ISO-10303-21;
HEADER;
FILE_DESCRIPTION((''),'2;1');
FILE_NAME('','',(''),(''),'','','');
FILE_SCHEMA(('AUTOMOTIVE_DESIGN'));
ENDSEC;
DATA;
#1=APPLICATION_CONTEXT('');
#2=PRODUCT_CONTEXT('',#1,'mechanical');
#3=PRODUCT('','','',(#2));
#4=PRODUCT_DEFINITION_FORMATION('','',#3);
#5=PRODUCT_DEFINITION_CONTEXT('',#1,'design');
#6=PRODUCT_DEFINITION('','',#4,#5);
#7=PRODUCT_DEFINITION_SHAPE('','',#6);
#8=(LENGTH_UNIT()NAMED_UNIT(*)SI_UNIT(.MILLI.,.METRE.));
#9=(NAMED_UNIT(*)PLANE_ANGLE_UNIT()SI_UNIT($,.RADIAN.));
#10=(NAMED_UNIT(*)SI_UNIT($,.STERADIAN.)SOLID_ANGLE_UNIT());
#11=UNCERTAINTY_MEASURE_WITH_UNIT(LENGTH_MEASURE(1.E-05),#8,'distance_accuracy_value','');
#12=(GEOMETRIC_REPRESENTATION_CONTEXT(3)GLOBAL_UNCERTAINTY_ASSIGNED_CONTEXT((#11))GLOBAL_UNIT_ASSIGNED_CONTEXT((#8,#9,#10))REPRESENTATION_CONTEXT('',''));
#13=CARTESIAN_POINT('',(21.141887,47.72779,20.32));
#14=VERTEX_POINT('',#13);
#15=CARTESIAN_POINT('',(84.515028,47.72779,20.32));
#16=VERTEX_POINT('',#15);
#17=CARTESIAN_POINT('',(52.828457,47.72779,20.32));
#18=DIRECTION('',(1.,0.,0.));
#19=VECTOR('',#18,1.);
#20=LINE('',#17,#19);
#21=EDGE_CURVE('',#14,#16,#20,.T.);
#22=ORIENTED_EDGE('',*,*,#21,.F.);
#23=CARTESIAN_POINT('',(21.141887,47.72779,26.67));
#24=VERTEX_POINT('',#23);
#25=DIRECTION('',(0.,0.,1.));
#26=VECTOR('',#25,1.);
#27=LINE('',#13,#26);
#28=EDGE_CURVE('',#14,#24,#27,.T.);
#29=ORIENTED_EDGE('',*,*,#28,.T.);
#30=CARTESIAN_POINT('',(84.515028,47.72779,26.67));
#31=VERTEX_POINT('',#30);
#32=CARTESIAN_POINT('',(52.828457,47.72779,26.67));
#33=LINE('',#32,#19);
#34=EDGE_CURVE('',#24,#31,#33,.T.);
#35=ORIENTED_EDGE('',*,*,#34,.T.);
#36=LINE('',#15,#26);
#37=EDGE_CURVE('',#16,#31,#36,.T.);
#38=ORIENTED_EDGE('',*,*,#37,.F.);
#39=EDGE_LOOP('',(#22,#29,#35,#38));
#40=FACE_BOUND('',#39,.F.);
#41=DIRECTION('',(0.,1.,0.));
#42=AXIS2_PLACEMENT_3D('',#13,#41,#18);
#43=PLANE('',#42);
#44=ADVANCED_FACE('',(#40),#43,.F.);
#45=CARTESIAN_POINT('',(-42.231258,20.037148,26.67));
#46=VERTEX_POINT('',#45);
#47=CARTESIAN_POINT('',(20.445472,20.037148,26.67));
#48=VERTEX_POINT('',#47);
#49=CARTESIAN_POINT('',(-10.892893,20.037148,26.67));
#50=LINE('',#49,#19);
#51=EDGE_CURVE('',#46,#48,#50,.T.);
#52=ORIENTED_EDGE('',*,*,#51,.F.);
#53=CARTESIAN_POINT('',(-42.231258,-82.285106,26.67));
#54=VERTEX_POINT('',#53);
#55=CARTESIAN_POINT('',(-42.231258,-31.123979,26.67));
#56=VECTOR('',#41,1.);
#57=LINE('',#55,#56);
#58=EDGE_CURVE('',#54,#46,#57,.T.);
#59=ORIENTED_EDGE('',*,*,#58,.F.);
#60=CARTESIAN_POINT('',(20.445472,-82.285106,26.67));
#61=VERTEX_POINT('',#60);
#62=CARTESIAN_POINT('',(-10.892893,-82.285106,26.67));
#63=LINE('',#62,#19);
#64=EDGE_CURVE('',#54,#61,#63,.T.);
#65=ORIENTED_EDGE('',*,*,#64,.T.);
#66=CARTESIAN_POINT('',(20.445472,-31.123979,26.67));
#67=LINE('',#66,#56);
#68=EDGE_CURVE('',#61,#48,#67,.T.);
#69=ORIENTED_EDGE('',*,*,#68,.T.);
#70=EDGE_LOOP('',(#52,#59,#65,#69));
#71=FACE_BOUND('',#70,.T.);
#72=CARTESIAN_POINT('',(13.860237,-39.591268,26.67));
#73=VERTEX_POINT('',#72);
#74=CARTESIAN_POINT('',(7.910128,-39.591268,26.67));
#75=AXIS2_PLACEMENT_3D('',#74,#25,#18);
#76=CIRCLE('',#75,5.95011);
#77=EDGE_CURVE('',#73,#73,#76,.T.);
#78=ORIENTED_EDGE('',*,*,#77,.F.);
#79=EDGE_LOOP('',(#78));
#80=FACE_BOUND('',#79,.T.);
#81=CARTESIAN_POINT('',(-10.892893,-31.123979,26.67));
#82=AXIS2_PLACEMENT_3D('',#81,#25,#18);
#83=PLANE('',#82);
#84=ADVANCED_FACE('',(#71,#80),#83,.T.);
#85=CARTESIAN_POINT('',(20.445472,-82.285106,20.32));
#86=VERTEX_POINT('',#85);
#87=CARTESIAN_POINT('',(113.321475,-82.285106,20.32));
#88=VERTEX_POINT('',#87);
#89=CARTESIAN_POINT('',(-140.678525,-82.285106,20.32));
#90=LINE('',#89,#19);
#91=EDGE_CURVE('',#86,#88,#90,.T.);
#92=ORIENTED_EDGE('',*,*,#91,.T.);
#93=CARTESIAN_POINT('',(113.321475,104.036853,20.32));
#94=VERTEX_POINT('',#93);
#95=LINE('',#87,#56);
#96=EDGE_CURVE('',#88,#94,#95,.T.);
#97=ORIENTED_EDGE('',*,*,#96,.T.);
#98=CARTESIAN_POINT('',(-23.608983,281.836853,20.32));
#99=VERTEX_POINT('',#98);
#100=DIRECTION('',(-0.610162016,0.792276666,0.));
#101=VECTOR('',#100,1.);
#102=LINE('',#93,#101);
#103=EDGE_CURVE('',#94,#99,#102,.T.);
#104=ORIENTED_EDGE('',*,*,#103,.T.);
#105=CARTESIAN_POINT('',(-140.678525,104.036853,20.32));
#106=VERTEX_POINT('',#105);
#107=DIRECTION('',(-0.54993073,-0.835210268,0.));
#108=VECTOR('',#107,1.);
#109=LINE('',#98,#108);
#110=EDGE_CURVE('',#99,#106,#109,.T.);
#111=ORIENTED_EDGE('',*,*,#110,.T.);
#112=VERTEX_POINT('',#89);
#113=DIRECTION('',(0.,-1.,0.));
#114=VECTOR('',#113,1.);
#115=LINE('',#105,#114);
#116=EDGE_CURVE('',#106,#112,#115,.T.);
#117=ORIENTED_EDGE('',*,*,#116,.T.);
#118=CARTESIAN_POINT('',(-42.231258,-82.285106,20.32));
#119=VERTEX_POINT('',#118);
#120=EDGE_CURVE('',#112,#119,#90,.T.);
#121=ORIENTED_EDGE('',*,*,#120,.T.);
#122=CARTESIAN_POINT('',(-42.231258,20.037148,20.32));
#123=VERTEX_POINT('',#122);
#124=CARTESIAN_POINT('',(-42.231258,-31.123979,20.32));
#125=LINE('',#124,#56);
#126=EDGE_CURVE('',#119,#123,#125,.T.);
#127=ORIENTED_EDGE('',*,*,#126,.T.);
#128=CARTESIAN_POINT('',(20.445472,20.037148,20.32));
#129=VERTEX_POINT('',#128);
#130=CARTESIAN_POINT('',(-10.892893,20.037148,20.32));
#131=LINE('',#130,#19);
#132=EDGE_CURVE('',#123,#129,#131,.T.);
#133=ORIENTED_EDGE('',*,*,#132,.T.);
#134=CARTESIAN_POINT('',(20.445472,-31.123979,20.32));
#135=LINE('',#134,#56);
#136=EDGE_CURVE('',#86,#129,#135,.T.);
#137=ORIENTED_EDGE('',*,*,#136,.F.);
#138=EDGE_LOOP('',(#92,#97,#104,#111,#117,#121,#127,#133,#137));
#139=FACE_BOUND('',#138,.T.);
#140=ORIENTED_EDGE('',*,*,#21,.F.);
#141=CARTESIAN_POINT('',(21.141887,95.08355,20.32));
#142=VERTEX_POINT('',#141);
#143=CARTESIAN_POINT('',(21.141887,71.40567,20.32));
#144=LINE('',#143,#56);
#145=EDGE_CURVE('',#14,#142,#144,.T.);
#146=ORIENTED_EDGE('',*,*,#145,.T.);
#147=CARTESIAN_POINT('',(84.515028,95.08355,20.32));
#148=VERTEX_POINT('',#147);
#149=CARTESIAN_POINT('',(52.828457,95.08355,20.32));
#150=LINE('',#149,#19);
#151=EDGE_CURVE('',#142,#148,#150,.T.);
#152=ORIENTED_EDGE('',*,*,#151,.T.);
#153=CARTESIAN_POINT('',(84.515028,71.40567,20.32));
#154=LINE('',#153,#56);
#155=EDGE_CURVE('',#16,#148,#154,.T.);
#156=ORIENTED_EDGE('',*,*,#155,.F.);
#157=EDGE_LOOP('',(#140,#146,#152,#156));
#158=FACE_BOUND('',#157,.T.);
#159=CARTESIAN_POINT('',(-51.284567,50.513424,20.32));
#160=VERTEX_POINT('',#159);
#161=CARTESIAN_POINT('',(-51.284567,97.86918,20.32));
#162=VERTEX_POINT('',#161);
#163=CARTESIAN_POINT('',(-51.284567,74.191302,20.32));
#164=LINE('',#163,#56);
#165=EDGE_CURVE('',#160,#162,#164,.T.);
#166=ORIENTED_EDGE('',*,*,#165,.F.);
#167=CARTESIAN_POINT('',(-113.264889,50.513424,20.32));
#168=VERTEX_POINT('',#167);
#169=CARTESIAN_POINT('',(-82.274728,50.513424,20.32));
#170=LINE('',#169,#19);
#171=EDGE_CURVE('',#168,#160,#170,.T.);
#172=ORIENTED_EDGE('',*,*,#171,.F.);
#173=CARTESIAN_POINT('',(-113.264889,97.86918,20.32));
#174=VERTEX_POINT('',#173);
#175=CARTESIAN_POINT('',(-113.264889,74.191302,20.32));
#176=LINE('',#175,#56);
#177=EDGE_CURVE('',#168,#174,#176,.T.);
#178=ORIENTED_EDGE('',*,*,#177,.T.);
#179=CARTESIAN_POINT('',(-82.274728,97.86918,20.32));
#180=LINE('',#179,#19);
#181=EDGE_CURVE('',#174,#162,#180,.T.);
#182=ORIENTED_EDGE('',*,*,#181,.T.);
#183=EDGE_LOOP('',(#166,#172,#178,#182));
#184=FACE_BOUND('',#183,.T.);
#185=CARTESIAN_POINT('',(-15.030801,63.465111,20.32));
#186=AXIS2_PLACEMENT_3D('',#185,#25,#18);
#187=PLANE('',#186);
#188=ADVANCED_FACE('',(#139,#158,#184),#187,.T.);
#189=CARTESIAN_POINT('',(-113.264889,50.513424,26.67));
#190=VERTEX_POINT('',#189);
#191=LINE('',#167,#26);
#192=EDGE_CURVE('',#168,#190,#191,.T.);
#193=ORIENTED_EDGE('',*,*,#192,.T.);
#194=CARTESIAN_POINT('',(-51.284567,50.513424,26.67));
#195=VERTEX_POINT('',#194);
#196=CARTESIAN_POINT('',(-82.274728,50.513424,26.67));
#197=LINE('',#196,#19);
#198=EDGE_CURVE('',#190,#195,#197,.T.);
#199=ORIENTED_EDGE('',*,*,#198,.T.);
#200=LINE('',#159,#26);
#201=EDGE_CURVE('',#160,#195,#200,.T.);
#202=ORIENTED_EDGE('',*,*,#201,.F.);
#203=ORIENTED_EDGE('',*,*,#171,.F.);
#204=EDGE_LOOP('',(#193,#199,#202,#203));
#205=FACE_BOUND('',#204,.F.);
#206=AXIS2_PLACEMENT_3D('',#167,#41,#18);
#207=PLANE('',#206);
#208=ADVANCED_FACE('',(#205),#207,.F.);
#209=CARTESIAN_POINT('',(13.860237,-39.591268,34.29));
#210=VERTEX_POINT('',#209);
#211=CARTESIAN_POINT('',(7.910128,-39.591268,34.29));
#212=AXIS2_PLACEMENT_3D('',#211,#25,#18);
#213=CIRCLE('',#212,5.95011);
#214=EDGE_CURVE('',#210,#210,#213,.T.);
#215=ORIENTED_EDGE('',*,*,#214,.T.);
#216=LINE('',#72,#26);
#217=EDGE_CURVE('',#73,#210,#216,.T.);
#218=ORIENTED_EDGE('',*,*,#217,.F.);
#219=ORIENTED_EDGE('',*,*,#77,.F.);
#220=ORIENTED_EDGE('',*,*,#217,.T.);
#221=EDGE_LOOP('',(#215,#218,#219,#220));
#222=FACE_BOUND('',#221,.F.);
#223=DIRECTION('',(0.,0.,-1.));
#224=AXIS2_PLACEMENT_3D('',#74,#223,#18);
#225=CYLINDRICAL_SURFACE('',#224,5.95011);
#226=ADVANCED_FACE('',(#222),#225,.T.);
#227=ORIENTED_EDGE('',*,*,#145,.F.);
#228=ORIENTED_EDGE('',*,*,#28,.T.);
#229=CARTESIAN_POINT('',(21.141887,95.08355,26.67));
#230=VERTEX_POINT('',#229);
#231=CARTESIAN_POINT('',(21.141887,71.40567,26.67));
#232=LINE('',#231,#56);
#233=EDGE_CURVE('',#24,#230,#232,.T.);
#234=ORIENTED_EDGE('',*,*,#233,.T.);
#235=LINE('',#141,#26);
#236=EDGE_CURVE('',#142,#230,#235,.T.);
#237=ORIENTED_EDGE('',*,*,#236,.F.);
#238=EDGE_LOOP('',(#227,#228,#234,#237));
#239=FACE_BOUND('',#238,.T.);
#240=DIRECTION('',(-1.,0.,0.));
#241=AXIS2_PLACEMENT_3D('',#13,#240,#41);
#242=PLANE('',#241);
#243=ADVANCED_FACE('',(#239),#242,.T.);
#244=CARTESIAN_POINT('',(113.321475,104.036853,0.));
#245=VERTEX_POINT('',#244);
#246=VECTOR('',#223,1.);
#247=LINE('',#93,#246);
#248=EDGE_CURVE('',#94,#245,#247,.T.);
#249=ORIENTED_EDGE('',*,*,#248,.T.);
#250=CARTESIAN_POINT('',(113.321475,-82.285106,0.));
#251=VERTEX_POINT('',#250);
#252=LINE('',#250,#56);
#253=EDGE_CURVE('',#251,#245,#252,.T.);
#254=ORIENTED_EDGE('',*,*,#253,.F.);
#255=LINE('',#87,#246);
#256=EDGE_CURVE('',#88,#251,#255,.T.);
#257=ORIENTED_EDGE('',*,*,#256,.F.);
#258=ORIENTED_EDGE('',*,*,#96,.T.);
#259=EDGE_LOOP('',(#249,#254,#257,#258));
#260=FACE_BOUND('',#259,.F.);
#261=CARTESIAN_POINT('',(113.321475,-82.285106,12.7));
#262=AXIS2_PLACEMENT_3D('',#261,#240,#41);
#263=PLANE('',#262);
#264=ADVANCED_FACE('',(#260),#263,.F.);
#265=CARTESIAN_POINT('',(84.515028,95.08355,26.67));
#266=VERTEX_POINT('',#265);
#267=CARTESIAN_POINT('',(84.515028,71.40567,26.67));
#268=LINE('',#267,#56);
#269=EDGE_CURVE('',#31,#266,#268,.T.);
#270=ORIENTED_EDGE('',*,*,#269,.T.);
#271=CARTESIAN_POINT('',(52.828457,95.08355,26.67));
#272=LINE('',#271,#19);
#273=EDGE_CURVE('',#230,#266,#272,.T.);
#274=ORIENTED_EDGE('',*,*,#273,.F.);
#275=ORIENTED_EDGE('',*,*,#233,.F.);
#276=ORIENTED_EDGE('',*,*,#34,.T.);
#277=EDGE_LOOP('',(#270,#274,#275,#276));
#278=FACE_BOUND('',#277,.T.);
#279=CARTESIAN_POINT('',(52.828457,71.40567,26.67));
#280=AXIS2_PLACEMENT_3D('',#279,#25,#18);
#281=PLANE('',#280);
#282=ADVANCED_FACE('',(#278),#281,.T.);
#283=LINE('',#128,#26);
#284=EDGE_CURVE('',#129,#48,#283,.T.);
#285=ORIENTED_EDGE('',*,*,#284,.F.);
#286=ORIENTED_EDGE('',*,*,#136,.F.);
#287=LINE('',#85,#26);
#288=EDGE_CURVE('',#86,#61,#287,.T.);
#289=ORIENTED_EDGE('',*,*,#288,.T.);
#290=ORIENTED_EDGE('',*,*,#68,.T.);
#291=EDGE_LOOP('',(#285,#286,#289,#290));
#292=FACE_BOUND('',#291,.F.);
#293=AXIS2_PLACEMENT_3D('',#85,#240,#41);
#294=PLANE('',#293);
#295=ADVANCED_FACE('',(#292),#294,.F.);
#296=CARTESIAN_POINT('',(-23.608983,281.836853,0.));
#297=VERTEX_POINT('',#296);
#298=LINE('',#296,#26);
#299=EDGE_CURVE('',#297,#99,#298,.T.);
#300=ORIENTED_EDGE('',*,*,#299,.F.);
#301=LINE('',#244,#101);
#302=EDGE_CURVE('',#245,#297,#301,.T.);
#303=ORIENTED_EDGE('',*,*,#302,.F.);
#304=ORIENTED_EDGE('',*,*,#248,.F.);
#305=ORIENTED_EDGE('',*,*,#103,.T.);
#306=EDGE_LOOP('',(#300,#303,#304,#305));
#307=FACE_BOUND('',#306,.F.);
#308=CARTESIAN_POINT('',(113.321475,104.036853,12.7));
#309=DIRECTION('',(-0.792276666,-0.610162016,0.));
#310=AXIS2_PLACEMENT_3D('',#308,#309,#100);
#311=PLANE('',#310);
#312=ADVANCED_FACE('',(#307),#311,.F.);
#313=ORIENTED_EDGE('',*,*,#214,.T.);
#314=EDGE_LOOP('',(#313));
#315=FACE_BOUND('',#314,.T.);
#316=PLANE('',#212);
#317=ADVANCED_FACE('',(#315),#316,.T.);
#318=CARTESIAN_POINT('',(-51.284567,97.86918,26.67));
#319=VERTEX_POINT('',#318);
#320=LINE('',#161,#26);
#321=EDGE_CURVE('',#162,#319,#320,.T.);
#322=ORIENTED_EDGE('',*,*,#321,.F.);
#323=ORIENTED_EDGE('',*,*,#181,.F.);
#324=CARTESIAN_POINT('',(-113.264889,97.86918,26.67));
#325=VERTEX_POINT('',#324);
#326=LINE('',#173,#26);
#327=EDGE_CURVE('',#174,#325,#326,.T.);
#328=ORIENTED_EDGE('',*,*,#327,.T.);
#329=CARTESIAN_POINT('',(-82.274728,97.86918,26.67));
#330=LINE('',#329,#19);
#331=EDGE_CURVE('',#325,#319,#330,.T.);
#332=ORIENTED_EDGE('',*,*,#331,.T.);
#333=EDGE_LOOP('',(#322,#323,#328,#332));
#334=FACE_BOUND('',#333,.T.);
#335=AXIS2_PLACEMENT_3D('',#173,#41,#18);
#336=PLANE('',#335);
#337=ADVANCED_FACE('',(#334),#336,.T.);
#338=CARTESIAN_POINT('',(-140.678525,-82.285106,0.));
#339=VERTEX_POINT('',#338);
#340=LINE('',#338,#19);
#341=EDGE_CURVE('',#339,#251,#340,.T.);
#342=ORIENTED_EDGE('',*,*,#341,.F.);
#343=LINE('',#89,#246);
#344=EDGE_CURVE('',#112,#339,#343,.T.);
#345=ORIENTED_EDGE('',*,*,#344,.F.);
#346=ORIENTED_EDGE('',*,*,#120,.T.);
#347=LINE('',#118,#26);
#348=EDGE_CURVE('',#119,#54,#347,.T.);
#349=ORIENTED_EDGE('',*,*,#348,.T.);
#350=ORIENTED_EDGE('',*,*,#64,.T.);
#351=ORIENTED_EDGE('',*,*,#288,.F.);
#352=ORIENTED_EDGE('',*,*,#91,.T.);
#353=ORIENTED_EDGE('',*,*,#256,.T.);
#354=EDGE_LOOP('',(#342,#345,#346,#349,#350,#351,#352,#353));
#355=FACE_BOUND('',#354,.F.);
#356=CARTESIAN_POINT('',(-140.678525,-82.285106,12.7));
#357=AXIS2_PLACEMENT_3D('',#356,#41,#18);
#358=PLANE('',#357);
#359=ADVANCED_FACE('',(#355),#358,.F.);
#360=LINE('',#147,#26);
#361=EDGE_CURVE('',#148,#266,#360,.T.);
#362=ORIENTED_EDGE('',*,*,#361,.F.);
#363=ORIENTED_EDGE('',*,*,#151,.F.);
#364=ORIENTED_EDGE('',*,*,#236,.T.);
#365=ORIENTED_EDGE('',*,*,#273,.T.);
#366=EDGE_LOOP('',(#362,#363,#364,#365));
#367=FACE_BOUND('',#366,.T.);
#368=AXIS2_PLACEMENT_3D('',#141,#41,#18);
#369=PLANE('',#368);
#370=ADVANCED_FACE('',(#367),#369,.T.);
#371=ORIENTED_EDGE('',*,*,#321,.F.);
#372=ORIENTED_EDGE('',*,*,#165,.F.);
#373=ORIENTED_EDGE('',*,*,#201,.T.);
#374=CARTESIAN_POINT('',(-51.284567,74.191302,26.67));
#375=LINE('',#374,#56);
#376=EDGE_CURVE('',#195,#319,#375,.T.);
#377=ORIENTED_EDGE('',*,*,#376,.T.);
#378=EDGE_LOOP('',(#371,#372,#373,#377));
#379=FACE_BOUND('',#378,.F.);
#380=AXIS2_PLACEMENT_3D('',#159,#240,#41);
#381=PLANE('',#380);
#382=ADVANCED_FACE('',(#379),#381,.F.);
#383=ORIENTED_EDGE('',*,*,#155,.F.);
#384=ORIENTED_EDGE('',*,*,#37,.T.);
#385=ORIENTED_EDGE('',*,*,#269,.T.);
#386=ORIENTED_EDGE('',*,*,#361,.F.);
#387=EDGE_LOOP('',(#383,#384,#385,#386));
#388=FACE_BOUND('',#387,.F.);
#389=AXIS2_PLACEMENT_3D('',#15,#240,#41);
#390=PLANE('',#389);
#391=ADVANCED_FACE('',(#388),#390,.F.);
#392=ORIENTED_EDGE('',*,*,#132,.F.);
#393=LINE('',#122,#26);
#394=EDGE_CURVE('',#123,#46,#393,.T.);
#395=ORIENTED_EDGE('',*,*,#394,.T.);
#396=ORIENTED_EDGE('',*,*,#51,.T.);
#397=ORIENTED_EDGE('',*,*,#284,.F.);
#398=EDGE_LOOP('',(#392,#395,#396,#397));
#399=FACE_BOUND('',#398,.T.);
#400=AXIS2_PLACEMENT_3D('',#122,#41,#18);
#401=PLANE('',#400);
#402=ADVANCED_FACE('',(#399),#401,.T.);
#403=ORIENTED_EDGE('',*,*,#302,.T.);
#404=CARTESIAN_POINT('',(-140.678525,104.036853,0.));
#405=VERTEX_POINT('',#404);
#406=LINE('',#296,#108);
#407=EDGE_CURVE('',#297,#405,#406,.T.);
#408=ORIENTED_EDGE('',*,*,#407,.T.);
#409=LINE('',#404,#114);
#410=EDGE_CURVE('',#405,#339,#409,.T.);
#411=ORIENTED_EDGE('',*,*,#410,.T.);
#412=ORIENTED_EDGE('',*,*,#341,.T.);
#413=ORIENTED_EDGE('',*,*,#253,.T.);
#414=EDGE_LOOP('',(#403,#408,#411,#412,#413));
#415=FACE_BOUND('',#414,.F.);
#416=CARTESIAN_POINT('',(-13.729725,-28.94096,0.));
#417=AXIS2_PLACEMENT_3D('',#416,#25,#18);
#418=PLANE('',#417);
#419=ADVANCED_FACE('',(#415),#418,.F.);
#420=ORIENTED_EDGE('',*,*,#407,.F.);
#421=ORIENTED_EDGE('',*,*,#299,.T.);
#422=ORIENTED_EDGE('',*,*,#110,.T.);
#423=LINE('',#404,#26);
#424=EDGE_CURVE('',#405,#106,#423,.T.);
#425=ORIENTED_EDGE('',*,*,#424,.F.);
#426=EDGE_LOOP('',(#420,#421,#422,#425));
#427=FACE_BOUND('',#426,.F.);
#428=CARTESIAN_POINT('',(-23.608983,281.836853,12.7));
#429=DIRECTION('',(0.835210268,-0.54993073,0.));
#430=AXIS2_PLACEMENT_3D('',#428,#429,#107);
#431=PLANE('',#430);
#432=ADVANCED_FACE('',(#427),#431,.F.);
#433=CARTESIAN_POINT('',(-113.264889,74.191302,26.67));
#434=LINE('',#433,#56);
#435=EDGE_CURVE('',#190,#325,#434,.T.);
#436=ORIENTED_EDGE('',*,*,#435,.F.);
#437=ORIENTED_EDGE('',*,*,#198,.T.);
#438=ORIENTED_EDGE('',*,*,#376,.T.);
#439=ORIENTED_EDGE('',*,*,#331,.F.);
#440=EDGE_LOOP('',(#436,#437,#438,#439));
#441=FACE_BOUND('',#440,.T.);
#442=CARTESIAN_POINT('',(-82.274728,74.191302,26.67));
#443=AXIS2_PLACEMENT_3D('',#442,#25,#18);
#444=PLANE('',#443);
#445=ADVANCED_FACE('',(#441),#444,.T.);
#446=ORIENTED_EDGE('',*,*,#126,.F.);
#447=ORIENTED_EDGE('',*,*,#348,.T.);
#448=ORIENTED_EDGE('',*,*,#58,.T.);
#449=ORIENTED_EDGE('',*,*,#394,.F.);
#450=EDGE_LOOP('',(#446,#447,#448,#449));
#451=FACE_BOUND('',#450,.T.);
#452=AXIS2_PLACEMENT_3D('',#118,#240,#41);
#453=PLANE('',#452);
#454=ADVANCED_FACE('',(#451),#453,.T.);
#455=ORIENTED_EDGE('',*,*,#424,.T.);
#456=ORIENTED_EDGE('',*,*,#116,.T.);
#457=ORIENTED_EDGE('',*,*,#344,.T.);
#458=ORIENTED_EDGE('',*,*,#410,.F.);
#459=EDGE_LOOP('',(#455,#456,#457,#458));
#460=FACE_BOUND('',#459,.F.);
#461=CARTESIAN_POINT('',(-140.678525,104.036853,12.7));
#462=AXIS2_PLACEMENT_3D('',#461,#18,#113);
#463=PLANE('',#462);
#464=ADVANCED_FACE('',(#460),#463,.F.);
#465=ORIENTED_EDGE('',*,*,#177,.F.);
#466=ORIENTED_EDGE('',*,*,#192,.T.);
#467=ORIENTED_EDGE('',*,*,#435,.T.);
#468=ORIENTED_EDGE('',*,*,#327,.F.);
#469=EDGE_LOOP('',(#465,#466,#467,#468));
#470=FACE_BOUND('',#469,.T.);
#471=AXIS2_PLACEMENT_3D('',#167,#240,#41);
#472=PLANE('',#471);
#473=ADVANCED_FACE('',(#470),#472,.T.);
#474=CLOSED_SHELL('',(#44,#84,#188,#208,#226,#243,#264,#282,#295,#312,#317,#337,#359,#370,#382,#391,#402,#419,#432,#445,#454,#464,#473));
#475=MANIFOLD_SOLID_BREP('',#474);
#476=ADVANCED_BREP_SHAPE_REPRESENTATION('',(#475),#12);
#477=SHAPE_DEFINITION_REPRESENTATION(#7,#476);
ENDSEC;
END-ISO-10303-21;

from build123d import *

# Parameters (mm, degrees)
F2_DEPTH  = 5.08
F1_W      = 52.124873735
F1_H      = 98.4580833465
F1_W_2    = 54.0554076433
F1_H_2    = 52.1248690784
F1_W_3    = 53.0901476741
F1_H_3    = 52.1248728037
F3_DEPTH  = 7.62
F4_DEPTH  = 7.62
F5_W      = 62.6767296344
F5_H      = 102.3222543299
F6_DEPTH  = 6.35
F7_R      = 5.9501097349
F8_DEPTH  = 7.62
F9_W      = 61.9803220034
F9_H      = 47.3557561636
F9_W_2    = 63.3731409907
F9_H_2    = 47.3557598889
F10_DEPTH = 6.35


with BuildPart() as f2:
    # F0 (on Top) → F2 (new body)
    with BuildSketch(Plane.XY):
        Polygon((-23.608982563, 281.8368527174), (-140.678524971, 104.0368527174), (-66.4795190096, 104.0368527174), (-61.5329220891, 104.0368527174), (-23.608982563, 104.0368527174), align=None)
        Polygon((113.321475029, 104.0368527174), (-23.608982563, 281.8368527174), (-23.608982563, 104.0368527174), align=None)
        Polygon((-66.4795190096, 104.0368527174), (-140.678524971, 104.0368527174), (-140.678524971, -82.2851061821), (113.321475029, -82.2851061821), (113.321475029, 104.0368527174), (-23.608982563, 104.0368527174), (-61.5329220891, 104.0368527174), align=None)
    extrude(amount=F2_DEPTH)

    # F1 (on face) + F2_face (on face) → F3 (join)
    with BuildSketch(Plane.XY):
        with Locations((-13.7297245674, -28.9409598336)):
            Rectangle(F1_W, F1_H)
        with Locations((58.6659163237, 62.7601984888)):
            Rectangle(F1_W_2, F1_H_2)
        with Locations((-93.3649428189, 57.9338222742)):
            Rectangle(F1_W_3, F1_H_3)
    with BuildSketch(Plane(origin=(-14.7477440157, 60.1118346493, 5.08), x_dir=(1, 0, 0), z_dir=(0, 0, 1))):
        Polygon((-8.8612385473, 221.7250180681), (-125.9307809553, 43.9250180681), (-125.9307809553, -142.3969408314), (128.0692190447, -142.3969408314), (128.0692190447, 43.9250180681), align=None)
    extrude(amount=F3_DEPTH)

    # F1 (on face) + F3_face (on face) → F4 (join)
    with BuildSketch(Plane.XY):
        with Locations((-13.7297245674, -28.9409598336)):
            Rectangle(F1_W, F1_H)
        with Locations((58.6659163237, 62.7601984888)):
            Rectangle(F1_W_2, F1_H_2)
        with Locations((-93.3649428189, 57.9338222742)):
            Rectangle(F1_W_3, F1_H_3)
    with BuildSketch(Plane(origin=(-14.7477440157, 60.1118346493, 12.7), x_dir=(1, 0, 0), z_dir=(0, 0, 1))):
        Polygon((128.0692190447, 43.9250180681), (-8.8612385473, 221.7250180681), (-125.9307809553, 43.9250180681), (-125.9307809553, -142.3969408314), (128.0692190447, -142.3969408314), align=None)
    extrude(amount=F4_DEPTH)

    # F5 (on face) → F6 (join)
    with BuildSketch(Plane.XY.offset(20.32)):
        with Locations((-10.8928931877, -31.1239790171)):
            Rectangle(F5_W, F5_H)
    extrude(amount=F6_DEPTH)

    # F7 (on face) → F8 (join)
    with BuildSketch(Plane.XY.offset(26.67)):
        with Locations((7.9101277515, -39.591267705)):
            Circle(F7_R)
    extrude(amount=F8_DEPTH)

    # F9 (on face) → F10 (join)
    with BuildSketch(Plane.XY.offset(20.32)):
        with Locations((-82.2747275233, 74.1913020611)):
            Rectangle(F9_W, F9_H)
        with Locations((52.8284572065, 71.4056696743)):
            Rectangle(F9_W_2, F9_H_2)
    extrude(amount=F10_DEPTH)


solid = f2.part
